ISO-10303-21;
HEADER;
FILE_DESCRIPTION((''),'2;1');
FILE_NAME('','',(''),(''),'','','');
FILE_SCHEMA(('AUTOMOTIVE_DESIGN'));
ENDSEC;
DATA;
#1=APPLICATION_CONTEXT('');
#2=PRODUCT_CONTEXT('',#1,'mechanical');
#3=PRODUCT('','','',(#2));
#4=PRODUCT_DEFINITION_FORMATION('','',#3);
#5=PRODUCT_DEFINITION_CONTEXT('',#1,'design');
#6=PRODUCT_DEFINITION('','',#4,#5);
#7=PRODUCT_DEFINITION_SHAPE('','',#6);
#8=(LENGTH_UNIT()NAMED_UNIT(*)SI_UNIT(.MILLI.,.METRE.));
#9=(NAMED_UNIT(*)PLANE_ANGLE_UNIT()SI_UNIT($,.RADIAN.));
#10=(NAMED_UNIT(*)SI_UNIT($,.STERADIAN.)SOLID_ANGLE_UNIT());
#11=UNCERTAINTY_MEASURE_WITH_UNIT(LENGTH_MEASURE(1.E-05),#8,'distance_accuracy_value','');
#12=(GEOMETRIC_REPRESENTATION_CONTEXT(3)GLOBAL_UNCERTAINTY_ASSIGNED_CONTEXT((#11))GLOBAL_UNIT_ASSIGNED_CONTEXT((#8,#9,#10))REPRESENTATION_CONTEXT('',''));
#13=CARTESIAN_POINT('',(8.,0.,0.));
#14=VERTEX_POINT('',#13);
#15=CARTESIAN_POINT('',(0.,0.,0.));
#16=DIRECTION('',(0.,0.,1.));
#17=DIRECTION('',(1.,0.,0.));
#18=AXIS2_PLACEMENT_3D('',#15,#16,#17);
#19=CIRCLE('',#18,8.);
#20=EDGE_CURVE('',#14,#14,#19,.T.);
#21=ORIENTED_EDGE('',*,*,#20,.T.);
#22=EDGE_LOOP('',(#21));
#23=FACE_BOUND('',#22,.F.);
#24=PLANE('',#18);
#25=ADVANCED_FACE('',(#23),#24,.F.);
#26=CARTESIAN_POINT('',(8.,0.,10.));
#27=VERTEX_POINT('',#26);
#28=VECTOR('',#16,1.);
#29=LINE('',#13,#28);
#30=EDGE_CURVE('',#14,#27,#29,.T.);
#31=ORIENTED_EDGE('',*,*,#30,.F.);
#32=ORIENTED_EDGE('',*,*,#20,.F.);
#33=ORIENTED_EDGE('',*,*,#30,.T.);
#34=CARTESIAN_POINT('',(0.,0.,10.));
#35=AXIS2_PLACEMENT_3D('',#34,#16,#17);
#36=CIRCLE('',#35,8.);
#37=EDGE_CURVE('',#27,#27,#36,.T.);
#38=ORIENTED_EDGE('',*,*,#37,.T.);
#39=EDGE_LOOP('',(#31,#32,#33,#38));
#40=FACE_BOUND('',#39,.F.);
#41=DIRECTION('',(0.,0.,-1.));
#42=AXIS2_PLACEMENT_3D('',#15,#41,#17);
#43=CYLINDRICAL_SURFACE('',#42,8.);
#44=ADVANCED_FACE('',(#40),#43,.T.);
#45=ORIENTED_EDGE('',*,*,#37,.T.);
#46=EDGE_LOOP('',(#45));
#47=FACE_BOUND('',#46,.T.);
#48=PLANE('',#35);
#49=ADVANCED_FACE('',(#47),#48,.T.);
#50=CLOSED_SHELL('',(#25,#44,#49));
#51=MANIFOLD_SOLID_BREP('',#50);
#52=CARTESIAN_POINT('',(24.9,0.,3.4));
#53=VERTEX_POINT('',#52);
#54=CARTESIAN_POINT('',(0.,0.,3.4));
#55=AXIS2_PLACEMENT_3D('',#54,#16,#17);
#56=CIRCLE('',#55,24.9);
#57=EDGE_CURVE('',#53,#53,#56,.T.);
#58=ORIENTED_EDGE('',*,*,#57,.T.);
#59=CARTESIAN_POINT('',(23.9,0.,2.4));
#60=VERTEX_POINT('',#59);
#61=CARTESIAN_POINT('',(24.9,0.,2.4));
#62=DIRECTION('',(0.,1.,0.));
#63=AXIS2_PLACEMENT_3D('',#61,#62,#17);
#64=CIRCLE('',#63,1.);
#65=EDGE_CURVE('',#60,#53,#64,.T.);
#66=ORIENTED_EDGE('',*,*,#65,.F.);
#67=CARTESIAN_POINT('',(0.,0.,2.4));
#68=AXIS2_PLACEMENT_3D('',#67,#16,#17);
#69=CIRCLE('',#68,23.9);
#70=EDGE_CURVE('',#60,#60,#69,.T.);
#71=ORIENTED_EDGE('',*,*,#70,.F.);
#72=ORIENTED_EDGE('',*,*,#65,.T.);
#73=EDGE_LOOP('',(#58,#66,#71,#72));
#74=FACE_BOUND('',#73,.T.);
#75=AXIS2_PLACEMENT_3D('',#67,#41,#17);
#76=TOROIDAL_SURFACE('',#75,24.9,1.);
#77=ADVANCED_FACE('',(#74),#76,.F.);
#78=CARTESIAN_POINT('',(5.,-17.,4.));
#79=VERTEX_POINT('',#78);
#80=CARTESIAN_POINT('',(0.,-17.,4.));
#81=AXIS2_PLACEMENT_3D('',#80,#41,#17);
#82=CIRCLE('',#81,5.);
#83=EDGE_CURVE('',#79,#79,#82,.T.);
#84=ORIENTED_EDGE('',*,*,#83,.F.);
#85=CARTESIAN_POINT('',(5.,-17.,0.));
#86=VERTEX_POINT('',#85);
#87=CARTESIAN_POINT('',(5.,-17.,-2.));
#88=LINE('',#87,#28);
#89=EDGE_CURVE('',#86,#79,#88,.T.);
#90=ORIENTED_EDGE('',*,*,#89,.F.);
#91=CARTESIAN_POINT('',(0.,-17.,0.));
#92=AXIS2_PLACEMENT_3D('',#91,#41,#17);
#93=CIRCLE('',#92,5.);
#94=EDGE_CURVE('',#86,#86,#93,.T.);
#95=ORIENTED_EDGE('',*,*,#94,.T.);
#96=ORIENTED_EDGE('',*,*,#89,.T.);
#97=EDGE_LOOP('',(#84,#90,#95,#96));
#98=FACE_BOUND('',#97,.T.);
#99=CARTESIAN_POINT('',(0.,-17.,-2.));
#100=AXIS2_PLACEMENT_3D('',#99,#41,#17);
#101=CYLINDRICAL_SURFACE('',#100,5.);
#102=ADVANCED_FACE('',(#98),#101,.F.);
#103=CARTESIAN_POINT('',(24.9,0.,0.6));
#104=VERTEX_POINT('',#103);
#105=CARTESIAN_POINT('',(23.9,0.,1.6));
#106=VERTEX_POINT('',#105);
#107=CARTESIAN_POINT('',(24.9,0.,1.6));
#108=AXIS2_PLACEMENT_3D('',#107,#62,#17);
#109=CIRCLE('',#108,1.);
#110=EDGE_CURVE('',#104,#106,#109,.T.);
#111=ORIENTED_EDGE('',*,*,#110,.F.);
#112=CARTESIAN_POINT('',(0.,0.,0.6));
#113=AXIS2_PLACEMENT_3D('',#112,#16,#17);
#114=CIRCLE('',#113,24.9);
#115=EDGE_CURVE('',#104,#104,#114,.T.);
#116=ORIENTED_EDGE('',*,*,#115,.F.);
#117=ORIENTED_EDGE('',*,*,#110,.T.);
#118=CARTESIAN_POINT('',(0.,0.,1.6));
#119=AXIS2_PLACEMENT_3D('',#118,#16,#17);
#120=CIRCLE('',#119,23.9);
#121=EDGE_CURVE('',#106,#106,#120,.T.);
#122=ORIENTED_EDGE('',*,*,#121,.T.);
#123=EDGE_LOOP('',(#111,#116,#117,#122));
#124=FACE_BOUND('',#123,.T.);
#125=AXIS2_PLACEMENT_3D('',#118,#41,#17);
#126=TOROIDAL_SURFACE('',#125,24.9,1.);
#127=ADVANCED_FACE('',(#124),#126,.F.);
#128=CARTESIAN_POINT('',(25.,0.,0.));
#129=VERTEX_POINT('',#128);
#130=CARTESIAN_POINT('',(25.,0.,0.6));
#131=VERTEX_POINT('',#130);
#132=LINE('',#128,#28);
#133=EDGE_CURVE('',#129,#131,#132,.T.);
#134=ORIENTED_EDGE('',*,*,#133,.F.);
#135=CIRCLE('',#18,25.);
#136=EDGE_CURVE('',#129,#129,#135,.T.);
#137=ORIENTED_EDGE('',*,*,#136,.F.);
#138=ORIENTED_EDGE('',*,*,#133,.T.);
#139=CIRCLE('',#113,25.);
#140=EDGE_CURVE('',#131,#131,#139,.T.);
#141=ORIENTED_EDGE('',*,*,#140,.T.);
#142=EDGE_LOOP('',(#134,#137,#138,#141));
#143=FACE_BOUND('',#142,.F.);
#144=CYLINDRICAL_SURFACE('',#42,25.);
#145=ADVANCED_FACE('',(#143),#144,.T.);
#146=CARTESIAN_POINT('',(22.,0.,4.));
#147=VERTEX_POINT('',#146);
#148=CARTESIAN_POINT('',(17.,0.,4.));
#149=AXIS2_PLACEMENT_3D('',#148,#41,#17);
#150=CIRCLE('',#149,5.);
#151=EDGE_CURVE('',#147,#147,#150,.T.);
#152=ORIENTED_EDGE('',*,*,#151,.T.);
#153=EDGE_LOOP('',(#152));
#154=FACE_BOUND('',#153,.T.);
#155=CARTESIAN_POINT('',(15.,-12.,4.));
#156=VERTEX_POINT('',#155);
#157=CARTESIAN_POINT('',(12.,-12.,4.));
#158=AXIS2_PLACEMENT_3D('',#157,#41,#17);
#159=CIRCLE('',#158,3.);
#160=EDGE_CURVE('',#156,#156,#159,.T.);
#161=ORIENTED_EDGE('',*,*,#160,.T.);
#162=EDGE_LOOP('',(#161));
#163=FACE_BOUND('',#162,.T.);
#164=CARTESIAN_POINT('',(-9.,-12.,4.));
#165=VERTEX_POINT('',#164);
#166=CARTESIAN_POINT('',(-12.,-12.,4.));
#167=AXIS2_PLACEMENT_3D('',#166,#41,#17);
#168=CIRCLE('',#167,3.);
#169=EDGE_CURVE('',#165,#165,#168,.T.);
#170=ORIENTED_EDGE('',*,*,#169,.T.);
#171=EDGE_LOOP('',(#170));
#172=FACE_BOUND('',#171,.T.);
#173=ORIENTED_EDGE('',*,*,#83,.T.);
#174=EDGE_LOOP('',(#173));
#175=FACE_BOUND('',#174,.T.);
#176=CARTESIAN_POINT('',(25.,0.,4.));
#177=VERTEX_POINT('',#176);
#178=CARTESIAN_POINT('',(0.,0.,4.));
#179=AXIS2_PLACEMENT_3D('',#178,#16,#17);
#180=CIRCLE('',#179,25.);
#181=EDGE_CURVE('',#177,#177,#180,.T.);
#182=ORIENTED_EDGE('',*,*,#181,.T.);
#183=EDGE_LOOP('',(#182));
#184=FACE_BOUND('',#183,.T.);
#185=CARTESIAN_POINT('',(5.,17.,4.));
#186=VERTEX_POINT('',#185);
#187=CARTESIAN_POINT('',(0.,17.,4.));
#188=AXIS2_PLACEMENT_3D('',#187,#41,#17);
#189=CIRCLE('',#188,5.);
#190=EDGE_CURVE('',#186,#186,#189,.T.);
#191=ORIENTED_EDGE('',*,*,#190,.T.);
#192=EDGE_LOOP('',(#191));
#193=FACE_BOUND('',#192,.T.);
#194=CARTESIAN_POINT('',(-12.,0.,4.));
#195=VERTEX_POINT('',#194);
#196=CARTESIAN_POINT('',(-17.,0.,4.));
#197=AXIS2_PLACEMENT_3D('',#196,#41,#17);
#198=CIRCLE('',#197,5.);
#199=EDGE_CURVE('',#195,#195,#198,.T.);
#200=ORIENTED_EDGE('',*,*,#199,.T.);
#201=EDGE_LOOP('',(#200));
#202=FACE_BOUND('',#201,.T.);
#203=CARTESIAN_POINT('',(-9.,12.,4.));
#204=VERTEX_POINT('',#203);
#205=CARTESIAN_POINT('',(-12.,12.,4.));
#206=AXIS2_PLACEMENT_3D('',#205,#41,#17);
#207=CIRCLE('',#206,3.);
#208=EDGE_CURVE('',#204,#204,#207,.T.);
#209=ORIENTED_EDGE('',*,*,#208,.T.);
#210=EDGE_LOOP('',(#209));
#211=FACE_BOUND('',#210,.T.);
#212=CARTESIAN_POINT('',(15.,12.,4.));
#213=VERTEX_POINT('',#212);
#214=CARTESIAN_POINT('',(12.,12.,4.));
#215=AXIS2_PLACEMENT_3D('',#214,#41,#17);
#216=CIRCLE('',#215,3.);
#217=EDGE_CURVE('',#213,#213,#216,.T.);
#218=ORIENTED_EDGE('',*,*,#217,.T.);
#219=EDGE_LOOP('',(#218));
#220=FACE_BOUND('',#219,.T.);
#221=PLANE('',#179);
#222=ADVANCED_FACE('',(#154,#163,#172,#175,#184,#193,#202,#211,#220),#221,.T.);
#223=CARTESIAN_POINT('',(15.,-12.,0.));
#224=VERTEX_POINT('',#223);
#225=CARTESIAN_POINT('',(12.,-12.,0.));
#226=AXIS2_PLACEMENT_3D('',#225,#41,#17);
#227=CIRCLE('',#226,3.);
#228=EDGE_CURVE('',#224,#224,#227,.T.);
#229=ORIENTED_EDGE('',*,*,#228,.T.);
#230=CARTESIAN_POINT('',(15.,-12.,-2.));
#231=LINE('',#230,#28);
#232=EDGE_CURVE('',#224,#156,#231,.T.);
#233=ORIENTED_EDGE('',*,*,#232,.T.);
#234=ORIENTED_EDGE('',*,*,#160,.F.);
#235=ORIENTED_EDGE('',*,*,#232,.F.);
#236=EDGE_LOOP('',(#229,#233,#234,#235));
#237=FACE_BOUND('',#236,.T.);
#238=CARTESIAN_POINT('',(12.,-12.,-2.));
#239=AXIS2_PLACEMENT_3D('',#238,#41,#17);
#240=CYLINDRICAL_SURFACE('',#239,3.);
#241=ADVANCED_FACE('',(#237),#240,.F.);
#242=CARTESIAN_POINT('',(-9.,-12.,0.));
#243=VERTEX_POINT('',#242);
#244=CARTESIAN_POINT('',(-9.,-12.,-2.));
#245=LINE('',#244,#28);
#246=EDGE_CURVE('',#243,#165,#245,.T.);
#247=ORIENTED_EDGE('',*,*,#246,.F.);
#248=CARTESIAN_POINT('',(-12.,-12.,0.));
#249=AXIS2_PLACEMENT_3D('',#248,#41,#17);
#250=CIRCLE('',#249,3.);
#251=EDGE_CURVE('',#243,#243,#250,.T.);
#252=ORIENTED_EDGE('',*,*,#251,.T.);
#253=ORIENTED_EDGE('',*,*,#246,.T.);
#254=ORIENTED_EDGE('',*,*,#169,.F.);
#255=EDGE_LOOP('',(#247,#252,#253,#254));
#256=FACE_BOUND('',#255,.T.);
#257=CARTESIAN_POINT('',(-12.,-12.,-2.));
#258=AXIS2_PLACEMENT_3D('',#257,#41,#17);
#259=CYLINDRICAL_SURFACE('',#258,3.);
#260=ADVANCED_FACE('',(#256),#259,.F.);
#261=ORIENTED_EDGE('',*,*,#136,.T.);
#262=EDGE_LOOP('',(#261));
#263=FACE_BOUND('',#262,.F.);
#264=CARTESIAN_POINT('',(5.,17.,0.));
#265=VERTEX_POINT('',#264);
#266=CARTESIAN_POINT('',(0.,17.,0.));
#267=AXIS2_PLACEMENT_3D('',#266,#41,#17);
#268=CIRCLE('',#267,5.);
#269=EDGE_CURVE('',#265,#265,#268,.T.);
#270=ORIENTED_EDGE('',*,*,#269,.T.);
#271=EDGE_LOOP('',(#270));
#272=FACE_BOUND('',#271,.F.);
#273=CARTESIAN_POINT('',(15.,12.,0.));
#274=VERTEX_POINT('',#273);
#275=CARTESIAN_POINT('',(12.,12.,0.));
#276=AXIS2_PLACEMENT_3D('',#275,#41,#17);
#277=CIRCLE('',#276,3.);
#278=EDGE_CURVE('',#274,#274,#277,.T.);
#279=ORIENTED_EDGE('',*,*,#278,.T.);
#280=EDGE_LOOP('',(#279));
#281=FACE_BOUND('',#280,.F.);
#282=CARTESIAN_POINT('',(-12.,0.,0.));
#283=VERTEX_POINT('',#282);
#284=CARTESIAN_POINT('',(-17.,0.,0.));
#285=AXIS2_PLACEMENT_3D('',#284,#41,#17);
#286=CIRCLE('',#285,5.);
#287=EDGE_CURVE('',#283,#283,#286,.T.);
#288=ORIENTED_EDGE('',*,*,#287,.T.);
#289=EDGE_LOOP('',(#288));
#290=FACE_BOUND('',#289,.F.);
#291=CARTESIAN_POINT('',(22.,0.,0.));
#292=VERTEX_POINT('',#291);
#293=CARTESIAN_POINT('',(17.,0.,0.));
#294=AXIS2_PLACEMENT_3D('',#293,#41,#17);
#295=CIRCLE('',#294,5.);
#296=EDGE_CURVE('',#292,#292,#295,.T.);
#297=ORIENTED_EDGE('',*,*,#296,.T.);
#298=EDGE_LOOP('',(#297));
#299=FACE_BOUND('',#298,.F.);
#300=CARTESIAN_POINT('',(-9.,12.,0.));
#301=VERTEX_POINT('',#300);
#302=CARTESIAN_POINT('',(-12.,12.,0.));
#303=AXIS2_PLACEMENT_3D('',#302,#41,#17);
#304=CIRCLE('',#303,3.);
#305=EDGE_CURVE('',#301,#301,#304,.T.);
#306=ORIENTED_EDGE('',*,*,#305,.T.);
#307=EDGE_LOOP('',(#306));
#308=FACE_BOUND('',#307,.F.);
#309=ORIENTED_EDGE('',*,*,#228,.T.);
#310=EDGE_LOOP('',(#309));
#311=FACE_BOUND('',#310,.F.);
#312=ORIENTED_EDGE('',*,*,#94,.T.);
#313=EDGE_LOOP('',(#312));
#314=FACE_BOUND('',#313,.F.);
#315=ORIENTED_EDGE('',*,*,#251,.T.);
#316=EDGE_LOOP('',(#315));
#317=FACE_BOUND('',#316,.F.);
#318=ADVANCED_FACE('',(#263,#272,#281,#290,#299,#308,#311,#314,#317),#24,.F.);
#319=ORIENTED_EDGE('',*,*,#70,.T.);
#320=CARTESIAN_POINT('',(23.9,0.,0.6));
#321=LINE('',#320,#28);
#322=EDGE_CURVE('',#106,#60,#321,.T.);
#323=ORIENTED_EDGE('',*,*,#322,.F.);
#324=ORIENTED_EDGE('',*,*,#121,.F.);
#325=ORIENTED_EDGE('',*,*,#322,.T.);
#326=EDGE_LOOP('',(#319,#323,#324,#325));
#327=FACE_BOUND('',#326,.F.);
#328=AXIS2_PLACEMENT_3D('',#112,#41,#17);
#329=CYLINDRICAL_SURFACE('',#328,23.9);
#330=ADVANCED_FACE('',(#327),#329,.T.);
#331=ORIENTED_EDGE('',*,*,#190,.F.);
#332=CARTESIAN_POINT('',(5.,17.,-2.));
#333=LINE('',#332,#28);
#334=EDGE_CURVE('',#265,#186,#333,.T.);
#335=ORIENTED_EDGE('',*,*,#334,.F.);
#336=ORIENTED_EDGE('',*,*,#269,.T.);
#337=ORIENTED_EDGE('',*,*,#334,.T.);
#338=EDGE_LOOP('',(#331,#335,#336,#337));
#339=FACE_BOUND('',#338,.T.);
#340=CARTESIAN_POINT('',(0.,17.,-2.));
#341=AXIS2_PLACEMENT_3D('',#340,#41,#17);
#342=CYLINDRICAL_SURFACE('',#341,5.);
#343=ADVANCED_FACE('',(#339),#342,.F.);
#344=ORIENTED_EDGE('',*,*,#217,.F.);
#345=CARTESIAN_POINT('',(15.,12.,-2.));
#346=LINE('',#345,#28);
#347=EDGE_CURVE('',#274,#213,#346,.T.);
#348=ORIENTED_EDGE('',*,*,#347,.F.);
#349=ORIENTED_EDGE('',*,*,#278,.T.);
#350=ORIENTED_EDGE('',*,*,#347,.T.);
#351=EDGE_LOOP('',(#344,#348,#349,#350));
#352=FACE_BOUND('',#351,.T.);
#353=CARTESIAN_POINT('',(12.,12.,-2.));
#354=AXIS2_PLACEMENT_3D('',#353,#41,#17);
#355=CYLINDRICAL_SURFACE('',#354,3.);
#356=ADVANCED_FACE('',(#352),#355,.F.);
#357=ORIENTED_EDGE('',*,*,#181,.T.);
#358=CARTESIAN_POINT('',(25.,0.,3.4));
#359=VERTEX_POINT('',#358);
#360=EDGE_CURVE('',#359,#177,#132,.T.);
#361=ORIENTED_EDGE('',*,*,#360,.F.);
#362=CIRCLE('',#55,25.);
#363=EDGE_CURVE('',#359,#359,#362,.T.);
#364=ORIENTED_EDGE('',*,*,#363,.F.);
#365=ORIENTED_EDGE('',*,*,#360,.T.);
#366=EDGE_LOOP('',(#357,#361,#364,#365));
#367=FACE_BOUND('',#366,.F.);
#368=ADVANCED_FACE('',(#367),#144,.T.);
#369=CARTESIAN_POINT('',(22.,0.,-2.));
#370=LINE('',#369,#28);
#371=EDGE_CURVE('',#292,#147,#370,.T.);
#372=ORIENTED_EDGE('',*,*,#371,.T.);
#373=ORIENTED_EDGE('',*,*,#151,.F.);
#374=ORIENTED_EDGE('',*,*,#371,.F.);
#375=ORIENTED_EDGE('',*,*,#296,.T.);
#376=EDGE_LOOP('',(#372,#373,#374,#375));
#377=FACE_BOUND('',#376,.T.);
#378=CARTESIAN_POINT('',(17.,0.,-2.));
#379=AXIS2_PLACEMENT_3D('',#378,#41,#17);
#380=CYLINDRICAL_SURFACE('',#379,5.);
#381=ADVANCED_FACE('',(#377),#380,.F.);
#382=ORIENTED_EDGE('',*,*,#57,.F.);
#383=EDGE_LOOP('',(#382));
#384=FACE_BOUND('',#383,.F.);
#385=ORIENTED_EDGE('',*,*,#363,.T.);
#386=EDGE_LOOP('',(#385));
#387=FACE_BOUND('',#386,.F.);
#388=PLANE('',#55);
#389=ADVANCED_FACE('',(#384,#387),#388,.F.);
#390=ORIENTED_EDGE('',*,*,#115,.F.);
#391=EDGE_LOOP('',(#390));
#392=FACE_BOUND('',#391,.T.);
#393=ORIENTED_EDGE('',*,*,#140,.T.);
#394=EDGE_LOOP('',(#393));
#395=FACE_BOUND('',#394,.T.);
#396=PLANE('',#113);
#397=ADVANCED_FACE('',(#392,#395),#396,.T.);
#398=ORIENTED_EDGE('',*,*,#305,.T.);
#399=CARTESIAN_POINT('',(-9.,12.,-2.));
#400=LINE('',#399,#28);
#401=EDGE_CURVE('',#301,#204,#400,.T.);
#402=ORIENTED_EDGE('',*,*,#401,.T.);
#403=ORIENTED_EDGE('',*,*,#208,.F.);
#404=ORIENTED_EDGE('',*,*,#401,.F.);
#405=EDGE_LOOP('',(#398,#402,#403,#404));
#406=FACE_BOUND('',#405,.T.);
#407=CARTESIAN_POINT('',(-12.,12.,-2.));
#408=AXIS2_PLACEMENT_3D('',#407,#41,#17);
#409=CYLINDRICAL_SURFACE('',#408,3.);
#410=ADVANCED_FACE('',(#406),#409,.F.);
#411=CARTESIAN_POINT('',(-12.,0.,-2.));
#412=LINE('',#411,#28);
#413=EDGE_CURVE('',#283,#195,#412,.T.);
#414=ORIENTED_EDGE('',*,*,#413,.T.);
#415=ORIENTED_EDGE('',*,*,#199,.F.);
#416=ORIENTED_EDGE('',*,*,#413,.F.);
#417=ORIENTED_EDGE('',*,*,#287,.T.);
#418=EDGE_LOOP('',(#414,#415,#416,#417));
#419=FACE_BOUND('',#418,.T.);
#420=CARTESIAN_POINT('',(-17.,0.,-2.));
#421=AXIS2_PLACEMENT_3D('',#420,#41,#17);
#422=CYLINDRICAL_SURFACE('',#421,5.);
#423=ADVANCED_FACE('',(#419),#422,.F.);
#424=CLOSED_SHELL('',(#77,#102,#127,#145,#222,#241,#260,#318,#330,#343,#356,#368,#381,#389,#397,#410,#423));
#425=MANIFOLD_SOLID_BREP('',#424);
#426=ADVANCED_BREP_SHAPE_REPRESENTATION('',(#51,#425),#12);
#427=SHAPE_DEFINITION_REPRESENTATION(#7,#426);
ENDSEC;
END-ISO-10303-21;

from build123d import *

# Parameters (mm, degrees)
CYLINDER001_R     = 8
CYLINDER001_DEPTH = 10
CYLINDER011_R     = 23.9
CYLINDER011_DEPTH = 2.8
CYLINDER010_R     = 25
CYLINDER010_DEPTH = 2.8
CYLINDER009_R     = 3
CYLINDER009_DEPTH = 10
CYLINDER002_R     = 5
CYLINDER002_DEPTH = 15
CYLINDER008_R     = 3
CYLINDER008_DEPTH = 10
CYLINDER005_R     = 5
CYLINDER005_DEPTH = 15
CYLINDER006_R     = 3
CYLINDER006_DEPTH = 10
CYLINDER003_R     = 5
CYLINDER003_DEPTH = 15
CYLINDER007_R     = 3
CYLINDER007_DEPTH = 10
CYLINDER004_R     = 5
CYLINDER004_DEPTH = 15
CYLINDER_R        = 25
CYLINDER_DEPTH    = 4
FILLET_R          = 1


with BuildPart() as cilindro001:
    # Cylinder001 → Cylinder001 (new body)
    with BuildSketch(Plane.XY):
        Circle(CYLINDER001_R)
    extrude(amount=CYLINDER001_DEPTH)


with BuildPart() as cilindro011:
    # Cylinder011 → Cylinder011 (new body)
    with BuildSketch(Plane.XY.offset(0.6)):
        Circle(CYLINDER011_R)
    extrude(amount=CYLINDER011_DEPTH)


with BuildPart() as cut008:
    # Cylinder010 → Cylinder010 (new body)
    with BuildSketch(Plane.XY.offset(0.6)):
        Circle(CYLINDER010_R)
    extrude(amount=CYLINDER010_DEPTH)

    # Cut008: cut Cilindro011
    add(cilindro011.part, mode=Mode.SUBTRACT)


with BuildPart() as cilindro009:
    # Cylinder009 → Cylinder009 (new body)
    with BuildSketch(Plane(origin=(12, 12, -2), x_dir=(1, 0, 0), z_dir=(0, 0, 1))):
        Circle(CYLINDER009_R)
    extrude(amount=CYLINDER009_DEPTH)


with BuildPart() as cilindro002:
    # Cylinder002 → Cylinder002 (new body)
    with BuildSketch(Plane(origin=(17, 0, -2), x_dir=(1, 0, 0), z_dir=(0, 0, 1))):
        Circle(CYLINDER002_R)
    extrude(amount=CYLINDER002_DEPTH)


with BuildPart() as cilindro008:
    # Cylinder008 → Cylinder008 (new body)
    with BuildSketch(Plane(origin=(12, -12, -2), x_dir=(1, 0, 0), z_dir=(0, 0, 1))):
        Circle(CYLINDER008_R)
    extrude(amount=CYLINDER008_DEPTH)


with BuildPart() as cilindro005:
    # Cylinder005 → Cylinder005 (new body)
    with BuildSketch(Plane(origin=(0, -17, -2), x_dir=(1, 0, 0), z_dir=(0, 0, 1))):
        Circle(CYLINDER005_R)
    extrude(amount=CYLINDER005_DEPTH)


with BuildPart() as cilindro006:
    # Cylinder006 → Cylinder006 (new body)
    with BuildSketch(Plane(origin=(-12, -12, -2), x_dir=(1, 0, 0), z_dir=(0, 0, 1))):
        Circle(CYLINDER006_R)
    extrude(amount=CYLINDER006_DEPTH)


with BuildPart() as cilindro003:
    # Cylinder003 → Cylinder003 (new body)
    with BuildSketch(Plane(origin=(-17, 0, -2), x_dir=(1, 0, 0), z_dir=(0, 0, 1))):
        Circle(CYLINDER003_R)
    extrude(amount=CYLINDER003_DEPTH)


with BuildPart() as cilindro007:
    # Cylinder007 → Cylinder007 (new body)
    with BuildSketch(Plane(origin=(-12, 12, -2), x_dir=(1, 0, 0), z_dir=(0, 0, 1))):
        Circle(CYLINDER007_R)
    extrude(amount=CYLINDER007_DEPTH)


with BuildPart() as cilindro004:
    # Cylinder004 → Cylinder004 (new body)
    with BuildSketch(Plane(origin=(0, 17, -2), x_dir=(1, 0, 0), z_dir=(0, 0, 1))):
        Circle(CYLINDER004_R)
    extrude(amount=CYLINDER004_DEPTH)


with BuildPart() as fillet_body:
    # Cylinder → Cylinder (new body)
    with BuildSketch(Plane.XY):
        Circle(CYLINDER_R)
    extrude(amount=CYLINDER_DEPTH)

    # Cut: cut Cilindro004
    add(cilindro004.part, mode=Mode.SUBTRACT)

    # Cut001: cut Cilindro007
    add(cilindro007.part, mode=Mode.SUBTRACT)

    # Cut002: cut Cilindro003
    add(cilindro003.part, mode=Mode.SUBTRACT)

    # Cut003: cut Cilindro006
    add(cilindro006.part, mode=Mode.SUBTRACT)

    # Cut004: cut Cilindro005
    add(cilindro005.part, mode=Mode.SUBTRACT)

    # Cut005: cut Cilindro008
    add(cilindro008.part, mode=Mode.SUBTRACT)

    # Cut006: cut Cilindro002
    add(cilindro002.part, mode=Mode.SUBTRACT)

    # Cut007: cut Cilindro009
    add(cilindro009.part, mode=Mode.SUBTRACT)

    # Cut009: cut Cut008
    add(cut008.part, mode=Mode.SUBTRACT)

    # Fillet
    fillet_edges = [fillet_body.edges().sort_by_distance(p)[0] for p in [
        (-23.9, 0, 3.4),
        (-23.9, 0, 0.6),
    ]]
    fillet(fillet_edges, radius=FILLET_R)


solid = Compound([cilindro001.part, fillet_body.part])
